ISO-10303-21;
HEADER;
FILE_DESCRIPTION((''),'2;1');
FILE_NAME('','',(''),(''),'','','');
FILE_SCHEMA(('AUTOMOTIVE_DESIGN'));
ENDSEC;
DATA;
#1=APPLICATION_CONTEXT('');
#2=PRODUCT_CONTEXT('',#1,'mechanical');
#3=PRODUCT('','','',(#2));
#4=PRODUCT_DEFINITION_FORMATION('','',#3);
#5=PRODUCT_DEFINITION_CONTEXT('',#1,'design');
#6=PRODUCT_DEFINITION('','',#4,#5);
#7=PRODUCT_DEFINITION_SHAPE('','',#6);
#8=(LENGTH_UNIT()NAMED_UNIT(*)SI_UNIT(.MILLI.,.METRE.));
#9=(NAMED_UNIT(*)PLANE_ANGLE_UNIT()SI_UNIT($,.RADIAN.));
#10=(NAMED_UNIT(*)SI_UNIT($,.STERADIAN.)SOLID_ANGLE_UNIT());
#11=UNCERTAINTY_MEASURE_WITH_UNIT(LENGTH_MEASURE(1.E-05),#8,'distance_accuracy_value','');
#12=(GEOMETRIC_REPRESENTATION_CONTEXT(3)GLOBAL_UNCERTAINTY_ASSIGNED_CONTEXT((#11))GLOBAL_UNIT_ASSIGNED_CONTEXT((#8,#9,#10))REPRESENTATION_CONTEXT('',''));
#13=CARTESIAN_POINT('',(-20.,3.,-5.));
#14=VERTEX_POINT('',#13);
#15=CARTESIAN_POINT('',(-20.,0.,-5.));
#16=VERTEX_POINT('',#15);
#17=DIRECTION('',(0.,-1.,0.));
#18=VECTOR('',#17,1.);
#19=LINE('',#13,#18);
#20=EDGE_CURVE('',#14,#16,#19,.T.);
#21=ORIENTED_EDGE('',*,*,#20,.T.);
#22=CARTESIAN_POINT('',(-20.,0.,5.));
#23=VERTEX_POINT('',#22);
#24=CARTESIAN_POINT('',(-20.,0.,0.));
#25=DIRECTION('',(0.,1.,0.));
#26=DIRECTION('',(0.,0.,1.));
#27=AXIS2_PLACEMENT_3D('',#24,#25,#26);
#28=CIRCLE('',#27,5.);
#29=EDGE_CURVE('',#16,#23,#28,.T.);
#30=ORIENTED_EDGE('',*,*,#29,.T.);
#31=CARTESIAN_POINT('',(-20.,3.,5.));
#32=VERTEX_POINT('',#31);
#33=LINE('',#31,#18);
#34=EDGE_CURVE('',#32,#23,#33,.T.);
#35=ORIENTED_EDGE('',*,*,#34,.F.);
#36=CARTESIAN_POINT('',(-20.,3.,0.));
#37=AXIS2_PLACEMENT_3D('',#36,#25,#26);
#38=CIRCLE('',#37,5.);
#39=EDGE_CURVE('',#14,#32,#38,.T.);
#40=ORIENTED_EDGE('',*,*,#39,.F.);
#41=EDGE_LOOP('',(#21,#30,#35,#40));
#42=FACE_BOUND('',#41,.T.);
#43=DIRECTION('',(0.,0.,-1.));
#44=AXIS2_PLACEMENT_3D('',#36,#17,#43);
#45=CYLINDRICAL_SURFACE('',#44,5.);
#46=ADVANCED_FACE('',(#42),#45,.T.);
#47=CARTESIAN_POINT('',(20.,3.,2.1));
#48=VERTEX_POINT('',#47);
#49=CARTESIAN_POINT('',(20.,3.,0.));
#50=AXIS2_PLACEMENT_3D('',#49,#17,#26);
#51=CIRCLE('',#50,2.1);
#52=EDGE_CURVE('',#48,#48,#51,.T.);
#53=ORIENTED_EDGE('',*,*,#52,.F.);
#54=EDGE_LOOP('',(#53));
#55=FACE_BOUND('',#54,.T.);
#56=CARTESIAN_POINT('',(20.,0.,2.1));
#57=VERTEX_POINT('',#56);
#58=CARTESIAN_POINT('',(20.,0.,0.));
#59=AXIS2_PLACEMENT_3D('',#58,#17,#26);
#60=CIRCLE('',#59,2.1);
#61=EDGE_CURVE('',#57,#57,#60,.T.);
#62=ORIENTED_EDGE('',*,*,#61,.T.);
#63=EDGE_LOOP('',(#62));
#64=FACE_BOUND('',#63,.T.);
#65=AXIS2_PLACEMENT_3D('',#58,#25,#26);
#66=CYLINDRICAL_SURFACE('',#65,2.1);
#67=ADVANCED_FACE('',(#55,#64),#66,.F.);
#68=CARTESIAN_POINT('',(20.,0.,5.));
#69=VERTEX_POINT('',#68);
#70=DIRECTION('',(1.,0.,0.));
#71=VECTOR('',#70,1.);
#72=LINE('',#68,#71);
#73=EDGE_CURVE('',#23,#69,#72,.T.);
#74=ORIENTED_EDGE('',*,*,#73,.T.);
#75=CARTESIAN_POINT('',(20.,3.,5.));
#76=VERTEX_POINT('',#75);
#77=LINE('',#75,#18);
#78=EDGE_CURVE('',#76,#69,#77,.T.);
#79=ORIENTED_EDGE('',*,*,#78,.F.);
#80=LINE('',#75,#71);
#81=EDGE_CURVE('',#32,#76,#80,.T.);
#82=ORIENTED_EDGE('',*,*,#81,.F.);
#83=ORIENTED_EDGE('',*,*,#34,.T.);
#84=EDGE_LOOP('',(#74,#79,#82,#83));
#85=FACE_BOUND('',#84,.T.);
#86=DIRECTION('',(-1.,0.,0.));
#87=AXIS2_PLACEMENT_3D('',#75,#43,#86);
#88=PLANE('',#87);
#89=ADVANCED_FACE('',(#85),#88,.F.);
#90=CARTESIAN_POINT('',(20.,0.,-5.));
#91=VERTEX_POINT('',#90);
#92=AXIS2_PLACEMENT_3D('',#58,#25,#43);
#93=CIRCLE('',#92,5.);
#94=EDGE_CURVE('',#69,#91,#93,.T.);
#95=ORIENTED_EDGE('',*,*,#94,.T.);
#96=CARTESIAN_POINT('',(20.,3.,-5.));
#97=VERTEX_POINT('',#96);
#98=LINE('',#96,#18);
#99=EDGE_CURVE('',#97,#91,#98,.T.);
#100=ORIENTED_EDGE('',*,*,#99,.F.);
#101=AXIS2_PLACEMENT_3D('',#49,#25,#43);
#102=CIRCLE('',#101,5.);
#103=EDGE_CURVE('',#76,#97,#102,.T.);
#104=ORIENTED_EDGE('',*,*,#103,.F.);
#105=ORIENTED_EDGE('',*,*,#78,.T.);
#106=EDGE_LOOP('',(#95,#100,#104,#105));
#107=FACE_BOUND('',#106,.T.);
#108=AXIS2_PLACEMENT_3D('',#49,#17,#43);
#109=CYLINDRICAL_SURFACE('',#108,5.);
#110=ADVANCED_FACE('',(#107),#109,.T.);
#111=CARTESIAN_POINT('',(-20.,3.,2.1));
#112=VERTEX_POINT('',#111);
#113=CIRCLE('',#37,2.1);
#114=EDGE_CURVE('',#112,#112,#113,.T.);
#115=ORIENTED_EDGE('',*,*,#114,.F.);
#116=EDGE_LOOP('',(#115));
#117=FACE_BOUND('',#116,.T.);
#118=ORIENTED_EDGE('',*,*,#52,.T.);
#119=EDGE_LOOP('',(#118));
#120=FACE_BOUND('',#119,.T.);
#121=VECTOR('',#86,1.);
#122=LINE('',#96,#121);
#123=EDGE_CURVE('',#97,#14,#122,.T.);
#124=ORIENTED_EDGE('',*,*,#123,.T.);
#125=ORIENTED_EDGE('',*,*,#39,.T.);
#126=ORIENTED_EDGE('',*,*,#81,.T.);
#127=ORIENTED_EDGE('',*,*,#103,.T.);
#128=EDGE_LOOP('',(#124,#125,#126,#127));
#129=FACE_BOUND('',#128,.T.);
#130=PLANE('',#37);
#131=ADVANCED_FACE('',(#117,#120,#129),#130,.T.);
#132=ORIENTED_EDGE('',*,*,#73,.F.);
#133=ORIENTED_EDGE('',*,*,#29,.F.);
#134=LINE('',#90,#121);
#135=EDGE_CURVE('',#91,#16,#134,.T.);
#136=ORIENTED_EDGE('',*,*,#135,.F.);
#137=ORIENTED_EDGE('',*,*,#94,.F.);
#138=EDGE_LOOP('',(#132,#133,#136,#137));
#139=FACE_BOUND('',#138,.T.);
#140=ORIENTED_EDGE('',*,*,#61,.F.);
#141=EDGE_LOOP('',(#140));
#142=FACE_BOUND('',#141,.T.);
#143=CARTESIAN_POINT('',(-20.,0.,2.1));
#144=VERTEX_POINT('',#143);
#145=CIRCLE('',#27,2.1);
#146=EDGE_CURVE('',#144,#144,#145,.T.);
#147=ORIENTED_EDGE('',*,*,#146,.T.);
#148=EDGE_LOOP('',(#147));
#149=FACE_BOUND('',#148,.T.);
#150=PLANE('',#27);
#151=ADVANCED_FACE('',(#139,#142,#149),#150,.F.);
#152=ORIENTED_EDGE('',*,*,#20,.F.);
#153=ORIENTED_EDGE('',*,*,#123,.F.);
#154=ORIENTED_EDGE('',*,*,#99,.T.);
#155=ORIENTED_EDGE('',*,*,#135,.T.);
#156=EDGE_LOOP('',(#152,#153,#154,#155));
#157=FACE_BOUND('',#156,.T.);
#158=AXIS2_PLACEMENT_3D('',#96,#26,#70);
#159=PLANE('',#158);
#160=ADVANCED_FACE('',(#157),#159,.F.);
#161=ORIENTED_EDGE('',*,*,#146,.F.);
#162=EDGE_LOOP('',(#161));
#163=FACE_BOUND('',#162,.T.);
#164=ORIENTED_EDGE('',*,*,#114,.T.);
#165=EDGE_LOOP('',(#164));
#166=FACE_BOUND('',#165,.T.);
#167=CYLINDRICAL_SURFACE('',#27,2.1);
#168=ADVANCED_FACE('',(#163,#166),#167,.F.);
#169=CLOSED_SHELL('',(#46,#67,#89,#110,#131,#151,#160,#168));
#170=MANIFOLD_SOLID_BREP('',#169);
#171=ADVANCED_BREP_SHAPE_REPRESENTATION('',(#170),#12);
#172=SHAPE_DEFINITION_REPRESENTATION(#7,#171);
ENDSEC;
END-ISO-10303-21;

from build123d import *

# Parameters (mm, degrees)
BOSS_EXTRUDE2_DEPTH = 3
SKETCH3_R           = 2.1
CUT_EXTRUDE3_DEPTH  = 4


with BuildPart() as part:
    # Sketch1 → Boss-Extrude2 (new body)
    with BuildSketch(Plane(origin=(0, 0, 0), x_dir=(1, 0, 0), z_dir=(0, 1, 0))):
        with BuildLine():
            Line((20, -5), (-20, -5))
            ThreePointArc((-20, -5), (-25, 0), (-20, 5))
            Line((-20, 5), (20, 5))
            ThreePointArc((20, 5), (25, 0), (20, -5))
        make_face()
    extrude(amount=BOSS_EXTRUDE2_DEPTH)

    # Sketch3 → Cut-Extrude3 (cut, through all)
    with BuildSketch(Plane(origin=(0, 3, 0), x_dir=(1, 0, 0), z_dir=(0, 1, 0))):
        with Locations(Location((-20, 0, 0), (0, 0, 270))):  # turned: the seam where the file's is
            Circle(SKETCH3_R)
    cut_extrude3 = extrude(amount=-CUT_EXTRUDE3_DEPTH, mode=Mode.SUBTRACT)

    # Mirror1: Cut-Extrude3 across plane
    add(cut_extrude3.mirror(Plane(origin=(0, 0, 0), x_dir=(0, 0, 1), z_dir=(1, 0, 0))), mode=Mode.SUBTRACT)


solid = part.part
